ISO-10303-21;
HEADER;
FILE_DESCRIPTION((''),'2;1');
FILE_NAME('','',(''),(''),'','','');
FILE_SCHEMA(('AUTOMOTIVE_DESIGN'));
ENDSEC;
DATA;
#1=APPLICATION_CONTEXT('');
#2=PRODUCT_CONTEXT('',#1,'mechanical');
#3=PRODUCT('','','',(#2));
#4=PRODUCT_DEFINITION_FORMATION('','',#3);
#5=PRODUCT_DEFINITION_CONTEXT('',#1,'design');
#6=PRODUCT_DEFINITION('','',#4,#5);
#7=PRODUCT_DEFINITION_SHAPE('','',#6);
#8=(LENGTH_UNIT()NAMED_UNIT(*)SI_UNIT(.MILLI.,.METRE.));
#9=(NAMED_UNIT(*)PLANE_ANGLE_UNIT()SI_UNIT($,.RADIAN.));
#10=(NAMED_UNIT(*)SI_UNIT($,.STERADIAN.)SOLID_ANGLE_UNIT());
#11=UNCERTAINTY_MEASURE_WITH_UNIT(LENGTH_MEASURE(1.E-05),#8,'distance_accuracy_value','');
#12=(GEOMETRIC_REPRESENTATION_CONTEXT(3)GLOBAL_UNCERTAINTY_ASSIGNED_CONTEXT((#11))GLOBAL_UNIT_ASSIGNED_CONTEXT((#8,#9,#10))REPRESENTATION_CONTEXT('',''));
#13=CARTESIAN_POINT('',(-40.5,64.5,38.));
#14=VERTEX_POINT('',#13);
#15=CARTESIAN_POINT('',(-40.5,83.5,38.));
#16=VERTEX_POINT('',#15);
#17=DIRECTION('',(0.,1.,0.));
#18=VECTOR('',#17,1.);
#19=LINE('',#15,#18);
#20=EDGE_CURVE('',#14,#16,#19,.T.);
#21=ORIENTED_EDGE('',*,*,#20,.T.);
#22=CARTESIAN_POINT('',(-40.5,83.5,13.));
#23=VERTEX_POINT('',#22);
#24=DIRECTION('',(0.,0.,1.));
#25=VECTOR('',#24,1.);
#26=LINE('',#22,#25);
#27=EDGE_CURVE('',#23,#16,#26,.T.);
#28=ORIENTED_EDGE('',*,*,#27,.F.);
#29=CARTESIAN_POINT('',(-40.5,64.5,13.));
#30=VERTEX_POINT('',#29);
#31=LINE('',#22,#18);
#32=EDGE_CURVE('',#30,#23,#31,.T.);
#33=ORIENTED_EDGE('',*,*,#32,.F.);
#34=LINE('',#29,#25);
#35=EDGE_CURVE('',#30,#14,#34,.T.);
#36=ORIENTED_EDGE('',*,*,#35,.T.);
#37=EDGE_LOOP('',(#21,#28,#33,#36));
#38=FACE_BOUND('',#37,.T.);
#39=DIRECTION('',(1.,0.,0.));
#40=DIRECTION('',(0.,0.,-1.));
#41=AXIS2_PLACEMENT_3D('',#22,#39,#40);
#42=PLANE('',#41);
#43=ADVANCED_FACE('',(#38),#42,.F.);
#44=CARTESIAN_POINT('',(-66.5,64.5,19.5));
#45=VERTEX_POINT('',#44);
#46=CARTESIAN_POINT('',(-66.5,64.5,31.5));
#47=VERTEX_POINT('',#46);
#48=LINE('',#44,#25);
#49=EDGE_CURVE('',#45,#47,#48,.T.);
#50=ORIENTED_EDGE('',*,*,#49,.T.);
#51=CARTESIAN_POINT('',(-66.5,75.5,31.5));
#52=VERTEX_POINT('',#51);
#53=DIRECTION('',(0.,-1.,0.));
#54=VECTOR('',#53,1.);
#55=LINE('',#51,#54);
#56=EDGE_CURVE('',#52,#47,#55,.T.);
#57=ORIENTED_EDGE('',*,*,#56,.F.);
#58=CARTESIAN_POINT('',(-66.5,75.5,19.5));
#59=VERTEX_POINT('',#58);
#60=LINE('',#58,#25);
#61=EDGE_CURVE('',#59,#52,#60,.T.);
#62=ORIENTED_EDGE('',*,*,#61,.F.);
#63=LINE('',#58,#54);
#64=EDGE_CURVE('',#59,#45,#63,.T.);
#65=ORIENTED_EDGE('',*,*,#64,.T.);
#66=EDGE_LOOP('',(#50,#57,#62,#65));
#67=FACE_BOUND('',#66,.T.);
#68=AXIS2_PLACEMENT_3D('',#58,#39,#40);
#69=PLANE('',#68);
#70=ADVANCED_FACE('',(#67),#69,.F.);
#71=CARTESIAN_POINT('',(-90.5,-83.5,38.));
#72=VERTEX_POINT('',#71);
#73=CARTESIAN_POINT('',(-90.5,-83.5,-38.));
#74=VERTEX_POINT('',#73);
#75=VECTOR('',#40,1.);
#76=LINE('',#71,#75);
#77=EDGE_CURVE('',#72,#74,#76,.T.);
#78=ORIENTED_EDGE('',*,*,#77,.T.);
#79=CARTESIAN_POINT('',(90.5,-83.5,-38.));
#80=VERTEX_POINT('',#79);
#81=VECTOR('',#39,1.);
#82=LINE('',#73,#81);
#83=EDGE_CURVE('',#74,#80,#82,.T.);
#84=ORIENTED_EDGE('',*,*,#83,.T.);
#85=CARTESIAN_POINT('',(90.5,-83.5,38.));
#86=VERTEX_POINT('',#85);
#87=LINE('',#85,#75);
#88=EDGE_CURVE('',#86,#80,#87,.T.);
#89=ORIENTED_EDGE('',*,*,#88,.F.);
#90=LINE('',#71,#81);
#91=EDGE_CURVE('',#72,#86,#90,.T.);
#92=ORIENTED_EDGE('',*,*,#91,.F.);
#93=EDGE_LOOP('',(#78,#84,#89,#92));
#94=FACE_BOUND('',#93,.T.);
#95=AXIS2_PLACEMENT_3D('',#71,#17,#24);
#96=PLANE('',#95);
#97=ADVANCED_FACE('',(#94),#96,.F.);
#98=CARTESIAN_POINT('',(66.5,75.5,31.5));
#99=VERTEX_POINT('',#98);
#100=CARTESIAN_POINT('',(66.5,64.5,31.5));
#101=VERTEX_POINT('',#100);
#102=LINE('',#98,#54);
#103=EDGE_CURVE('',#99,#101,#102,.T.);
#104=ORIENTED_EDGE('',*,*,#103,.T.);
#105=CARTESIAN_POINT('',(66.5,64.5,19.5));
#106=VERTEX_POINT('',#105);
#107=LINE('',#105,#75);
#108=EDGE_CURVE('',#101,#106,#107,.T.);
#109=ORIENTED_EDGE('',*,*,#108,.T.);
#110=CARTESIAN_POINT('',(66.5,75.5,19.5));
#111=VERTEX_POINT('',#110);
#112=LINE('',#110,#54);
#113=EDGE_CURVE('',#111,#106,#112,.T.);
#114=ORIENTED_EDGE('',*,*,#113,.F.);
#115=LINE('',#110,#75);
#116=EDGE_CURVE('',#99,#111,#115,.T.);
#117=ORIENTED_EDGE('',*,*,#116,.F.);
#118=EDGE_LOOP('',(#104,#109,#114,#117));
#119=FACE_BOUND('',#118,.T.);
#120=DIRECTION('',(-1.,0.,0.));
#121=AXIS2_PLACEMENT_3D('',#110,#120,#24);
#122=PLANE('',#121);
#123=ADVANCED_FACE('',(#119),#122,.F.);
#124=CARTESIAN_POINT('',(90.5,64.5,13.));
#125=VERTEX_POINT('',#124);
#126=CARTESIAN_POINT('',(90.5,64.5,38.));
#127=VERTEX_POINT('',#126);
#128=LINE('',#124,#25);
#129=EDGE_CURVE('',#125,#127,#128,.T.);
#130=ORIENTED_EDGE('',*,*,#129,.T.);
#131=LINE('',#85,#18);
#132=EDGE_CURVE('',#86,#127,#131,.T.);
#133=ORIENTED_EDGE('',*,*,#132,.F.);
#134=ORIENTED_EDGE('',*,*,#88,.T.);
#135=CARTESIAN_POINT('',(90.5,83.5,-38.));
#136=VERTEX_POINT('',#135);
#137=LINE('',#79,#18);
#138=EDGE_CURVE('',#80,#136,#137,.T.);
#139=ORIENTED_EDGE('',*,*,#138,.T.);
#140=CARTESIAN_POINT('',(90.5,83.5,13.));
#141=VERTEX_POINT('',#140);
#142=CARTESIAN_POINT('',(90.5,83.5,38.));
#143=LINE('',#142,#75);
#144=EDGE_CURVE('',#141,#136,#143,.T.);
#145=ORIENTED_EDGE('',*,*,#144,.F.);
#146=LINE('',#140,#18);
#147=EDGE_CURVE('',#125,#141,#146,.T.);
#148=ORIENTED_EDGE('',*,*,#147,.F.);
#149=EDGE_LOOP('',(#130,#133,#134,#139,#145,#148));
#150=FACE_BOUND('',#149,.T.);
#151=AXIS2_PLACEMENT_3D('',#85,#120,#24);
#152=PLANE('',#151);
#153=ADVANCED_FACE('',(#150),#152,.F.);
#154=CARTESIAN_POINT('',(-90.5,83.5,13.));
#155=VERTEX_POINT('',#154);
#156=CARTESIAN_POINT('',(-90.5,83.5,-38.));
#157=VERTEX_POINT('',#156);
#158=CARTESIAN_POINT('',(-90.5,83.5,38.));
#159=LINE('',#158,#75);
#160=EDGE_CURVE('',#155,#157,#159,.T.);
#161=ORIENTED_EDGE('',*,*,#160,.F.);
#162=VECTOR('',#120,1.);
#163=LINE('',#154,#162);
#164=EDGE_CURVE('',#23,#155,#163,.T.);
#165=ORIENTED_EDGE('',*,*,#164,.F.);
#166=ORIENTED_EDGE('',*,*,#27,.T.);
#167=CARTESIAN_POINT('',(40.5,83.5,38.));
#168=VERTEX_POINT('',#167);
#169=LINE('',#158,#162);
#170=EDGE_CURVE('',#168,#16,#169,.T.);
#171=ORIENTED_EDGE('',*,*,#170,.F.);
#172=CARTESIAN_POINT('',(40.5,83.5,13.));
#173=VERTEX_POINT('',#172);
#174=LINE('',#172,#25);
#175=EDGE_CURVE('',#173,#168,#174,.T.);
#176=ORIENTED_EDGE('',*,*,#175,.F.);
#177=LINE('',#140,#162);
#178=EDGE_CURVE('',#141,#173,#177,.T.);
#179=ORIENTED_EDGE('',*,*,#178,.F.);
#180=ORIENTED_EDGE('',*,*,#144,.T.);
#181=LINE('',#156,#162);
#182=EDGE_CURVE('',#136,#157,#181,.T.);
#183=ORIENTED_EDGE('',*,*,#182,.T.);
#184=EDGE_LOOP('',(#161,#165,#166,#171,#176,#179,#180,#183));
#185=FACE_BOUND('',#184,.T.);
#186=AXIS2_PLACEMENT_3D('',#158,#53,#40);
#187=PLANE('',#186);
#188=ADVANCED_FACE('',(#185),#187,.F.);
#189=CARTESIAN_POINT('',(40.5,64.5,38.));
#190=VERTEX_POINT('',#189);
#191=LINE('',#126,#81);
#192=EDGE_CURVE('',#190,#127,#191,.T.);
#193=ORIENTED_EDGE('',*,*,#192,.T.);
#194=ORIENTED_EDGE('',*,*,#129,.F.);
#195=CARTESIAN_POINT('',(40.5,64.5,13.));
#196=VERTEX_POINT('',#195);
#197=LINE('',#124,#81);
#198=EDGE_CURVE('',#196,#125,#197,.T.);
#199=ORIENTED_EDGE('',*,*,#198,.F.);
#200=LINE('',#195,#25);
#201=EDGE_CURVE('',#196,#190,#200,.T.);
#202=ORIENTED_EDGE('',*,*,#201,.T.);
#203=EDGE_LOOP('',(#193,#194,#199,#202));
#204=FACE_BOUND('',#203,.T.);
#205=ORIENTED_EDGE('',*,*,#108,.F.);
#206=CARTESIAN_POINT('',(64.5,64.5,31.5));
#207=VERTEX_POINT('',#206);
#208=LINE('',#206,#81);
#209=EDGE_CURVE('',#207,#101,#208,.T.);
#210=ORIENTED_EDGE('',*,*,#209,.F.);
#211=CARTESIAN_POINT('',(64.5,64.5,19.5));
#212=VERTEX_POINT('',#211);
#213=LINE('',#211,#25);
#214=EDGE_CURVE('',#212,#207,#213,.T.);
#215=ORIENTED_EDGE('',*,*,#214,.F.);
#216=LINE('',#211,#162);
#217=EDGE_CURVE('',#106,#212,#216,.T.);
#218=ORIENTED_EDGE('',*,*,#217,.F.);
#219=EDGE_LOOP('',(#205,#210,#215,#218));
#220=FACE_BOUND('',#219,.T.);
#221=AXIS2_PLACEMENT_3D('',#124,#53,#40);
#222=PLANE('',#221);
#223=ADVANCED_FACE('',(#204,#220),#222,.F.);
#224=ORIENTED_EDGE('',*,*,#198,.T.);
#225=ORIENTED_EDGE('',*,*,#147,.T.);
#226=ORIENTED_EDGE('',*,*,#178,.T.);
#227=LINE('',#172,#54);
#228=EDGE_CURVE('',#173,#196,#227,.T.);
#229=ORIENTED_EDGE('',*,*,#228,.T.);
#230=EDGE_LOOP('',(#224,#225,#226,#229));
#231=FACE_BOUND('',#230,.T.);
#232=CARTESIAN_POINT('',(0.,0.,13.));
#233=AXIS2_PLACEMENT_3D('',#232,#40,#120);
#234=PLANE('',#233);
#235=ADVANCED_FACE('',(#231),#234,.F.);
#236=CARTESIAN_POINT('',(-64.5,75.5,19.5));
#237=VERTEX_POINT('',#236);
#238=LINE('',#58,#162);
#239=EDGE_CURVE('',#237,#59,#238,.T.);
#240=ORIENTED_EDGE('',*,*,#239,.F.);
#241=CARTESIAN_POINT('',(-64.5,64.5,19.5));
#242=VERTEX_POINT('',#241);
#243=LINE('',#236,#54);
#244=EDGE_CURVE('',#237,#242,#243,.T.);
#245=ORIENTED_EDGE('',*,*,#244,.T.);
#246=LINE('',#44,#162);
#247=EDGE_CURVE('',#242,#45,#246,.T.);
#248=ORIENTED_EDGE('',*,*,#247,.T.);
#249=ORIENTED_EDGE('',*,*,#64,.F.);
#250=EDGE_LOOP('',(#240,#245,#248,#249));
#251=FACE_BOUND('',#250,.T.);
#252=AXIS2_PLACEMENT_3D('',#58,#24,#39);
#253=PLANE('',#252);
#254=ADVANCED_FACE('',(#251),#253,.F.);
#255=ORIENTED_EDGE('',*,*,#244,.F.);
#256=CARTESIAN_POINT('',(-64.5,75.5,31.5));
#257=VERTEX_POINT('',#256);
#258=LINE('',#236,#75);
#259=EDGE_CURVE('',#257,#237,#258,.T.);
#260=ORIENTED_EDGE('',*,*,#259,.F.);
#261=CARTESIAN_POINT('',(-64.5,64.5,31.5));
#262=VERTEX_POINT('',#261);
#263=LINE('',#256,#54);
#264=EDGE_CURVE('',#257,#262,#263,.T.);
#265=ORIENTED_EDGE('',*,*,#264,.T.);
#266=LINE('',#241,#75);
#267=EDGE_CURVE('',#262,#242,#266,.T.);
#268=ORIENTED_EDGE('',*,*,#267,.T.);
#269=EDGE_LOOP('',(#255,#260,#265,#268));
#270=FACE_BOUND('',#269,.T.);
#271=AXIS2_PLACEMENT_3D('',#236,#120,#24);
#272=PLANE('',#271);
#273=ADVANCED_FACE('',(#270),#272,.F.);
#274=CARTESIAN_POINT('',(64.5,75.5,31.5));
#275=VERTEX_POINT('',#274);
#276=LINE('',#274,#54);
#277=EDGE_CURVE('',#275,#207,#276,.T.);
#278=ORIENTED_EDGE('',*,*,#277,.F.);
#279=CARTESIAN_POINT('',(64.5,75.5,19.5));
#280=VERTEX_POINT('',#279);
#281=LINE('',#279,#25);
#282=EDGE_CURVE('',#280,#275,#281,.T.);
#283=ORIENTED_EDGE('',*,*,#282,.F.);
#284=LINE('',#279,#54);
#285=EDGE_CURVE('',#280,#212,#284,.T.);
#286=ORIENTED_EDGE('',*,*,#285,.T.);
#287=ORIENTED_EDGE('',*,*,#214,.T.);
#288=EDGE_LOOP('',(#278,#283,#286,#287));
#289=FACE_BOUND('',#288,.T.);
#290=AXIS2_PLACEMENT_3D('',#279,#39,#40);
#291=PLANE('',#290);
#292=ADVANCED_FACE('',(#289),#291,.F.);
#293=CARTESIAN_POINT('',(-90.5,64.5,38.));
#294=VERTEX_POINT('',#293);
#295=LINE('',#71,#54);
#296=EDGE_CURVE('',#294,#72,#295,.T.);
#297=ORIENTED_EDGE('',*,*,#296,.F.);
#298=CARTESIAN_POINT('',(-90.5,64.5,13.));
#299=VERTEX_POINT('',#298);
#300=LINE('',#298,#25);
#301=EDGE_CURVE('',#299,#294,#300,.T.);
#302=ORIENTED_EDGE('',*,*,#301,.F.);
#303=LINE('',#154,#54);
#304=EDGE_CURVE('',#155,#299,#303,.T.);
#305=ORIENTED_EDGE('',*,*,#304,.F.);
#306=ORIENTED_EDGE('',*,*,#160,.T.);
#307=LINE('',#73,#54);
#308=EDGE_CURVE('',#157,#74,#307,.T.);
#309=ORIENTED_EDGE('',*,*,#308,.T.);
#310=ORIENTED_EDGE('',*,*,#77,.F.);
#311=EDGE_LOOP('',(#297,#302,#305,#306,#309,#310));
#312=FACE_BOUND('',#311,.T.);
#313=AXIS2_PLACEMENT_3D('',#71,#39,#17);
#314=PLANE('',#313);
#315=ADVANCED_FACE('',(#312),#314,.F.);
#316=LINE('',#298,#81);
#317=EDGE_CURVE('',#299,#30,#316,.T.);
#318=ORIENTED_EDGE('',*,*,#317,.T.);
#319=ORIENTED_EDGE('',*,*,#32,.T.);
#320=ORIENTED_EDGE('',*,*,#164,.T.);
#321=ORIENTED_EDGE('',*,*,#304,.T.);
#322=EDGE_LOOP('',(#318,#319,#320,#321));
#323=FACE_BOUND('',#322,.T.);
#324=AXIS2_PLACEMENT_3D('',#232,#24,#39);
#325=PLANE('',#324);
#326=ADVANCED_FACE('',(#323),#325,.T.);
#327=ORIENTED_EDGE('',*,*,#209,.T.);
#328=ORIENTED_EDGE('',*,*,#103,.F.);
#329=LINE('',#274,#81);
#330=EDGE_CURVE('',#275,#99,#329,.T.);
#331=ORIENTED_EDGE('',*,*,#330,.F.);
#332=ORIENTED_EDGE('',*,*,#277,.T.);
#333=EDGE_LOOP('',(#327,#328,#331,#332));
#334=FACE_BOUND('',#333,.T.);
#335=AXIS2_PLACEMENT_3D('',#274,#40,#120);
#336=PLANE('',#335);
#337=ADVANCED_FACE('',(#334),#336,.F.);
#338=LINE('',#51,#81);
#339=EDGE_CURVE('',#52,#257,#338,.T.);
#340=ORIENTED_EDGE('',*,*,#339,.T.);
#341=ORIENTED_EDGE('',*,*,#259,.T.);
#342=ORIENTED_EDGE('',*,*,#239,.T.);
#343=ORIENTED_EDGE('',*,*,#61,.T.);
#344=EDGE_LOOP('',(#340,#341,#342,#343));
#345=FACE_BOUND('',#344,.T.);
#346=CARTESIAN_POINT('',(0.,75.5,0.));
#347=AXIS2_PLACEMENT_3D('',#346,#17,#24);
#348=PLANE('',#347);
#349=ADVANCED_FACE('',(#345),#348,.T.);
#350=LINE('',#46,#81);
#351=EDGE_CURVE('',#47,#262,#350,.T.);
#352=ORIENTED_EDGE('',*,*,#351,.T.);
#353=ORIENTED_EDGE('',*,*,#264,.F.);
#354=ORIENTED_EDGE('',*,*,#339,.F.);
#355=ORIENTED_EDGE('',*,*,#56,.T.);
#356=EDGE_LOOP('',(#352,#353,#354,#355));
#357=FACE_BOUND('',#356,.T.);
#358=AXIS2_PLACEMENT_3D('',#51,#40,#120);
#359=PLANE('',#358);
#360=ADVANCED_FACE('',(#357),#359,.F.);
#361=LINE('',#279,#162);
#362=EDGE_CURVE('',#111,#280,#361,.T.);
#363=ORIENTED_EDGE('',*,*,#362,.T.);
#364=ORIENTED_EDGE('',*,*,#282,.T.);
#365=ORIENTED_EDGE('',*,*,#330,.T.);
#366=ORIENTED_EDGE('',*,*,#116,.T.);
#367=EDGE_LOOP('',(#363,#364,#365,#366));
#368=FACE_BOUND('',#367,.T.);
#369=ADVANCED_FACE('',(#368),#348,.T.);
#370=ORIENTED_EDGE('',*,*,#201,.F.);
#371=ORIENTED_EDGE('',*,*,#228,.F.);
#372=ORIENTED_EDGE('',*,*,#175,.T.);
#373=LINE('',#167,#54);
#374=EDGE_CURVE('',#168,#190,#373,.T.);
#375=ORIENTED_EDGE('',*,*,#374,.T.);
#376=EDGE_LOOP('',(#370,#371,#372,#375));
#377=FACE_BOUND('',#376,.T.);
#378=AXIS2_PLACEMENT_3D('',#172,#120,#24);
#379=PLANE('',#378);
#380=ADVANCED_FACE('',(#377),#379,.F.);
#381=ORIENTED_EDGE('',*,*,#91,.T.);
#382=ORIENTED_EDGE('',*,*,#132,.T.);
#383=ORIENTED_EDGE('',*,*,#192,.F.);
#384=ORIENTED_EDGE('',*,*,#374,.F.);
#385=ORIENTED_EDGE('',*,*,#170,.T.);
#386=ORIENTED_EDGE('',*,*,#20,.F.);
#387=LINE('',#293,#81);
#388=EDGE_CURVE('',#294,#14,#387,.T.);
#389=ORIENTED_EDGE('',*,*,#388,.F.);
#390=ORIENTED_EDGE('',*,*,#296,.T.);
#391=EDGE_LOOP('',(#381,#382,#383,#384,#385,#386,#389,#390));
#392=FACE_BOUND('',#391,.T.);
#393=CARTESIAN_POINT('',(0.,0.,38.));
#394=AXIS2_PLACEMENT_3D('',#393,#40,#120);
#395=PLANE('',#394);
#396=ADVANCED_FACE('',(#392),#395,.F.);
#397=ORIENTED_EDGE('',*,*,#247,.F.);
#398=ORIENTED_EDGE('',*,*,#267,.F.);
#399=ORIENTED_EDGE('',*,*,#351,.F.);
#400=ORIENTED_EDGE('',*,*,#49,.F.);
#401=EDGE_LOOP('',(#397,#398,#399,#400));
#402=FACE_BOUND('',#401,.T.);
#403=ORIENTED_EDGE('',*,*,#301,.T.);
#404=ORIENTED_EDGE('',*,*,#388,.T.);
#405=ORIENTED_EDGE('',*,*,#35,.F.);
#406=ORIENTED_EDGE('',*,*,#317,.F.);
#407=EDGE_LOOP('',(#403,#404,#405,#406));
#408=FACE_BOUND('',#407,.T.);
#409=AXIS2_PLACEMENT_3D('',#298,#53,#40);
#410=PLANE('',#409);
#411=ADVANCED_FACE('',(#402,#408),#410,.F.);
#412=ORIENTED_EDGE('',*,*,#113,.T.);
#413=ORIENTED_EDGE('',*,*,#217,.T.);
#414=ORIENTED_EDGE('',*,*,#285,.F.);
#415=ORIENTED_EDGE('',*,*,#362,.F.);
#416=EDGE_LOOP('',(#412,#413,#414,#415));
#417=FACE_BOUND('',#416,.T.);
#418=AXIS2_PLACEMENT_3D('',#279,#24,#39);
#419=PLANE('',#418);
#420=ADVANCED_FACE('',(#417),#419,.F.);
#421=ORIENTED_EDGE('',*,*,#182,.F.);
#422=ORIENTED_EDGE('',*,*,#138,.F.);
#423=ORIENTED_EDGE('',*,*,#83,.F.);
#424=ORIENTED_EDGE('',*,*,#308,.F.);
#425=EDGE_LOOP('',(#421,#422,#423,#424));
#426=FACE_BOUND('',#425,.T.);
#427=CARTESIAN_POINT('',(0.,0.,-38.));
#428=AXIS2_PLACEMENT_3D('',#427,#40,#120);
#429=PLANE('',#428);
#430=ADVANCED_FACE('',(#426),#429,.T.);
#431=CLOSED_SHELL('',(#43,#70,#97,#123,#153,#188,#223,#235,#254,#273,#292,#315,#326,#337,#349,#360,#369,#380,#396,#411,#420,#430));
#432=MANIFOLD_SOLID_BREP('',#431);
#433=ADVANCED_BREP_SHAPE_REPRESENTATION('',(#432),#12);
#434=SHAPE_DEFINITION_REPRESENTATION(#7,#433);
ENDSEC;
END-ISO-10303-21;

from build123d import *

# Parameters (mm, degrees)
SKETCH1_W           = 181
SKETCH1_H           = 167
BOSS_EXTRUDE1_DEPTH = 38
SKETCH3_W           = 50
SKETCH3_H           = 19
CUT_EXTRUDE1_DEPTH  = 25
SKETCH4_W           = 2
SKETCH4_H           = 12
BOSS_EXTRUDE2_DEPTH = 11


with BuildPart() as part:
    # Sketch1 → Boss-Extrude1 (new body, symmetric)
    with BuildSketch(Plane.XY):
        Rectangle(SKETCH1_W, SKETCH1_H)
    extrude(amount=BOSS_EXTRUDE1_DEPTH, both=True)

    # Sketch3 → Cut-Extrude1 (cut)
    with BuildSketch(Plane.XY.offset(38)):
        with Locations((-65.5, 74)):
            Rectangle(SKETCH3_W, SKETCH3_H)
        with Locations((65.5, 74)):
            Rectangle(SKETCH3_W, SKETCH3_H)
    extrude(amount=-CUT_EXTRUDE1_DEPTH, mode=Mode.SUBTRACT)

    # Sketch4 → Boss-Extrude2 (add)
    with BuildSketch(Plane(origin=(0, 64.5, 0), x_dir=(1, 0, 0), z_dir=(0, 1, 0))):
        with Locations((-65.5, -25.5)):
            Rectangle(SKETCH4_W, SKETCH4_H)
        with Locations((65.5, -25.5)):
            Rectangle(SKETCH4_W, SKETCH4_H)
    extrude(amount=BOSS_EXTRUDE2_DEPTH)


solid = part.part
